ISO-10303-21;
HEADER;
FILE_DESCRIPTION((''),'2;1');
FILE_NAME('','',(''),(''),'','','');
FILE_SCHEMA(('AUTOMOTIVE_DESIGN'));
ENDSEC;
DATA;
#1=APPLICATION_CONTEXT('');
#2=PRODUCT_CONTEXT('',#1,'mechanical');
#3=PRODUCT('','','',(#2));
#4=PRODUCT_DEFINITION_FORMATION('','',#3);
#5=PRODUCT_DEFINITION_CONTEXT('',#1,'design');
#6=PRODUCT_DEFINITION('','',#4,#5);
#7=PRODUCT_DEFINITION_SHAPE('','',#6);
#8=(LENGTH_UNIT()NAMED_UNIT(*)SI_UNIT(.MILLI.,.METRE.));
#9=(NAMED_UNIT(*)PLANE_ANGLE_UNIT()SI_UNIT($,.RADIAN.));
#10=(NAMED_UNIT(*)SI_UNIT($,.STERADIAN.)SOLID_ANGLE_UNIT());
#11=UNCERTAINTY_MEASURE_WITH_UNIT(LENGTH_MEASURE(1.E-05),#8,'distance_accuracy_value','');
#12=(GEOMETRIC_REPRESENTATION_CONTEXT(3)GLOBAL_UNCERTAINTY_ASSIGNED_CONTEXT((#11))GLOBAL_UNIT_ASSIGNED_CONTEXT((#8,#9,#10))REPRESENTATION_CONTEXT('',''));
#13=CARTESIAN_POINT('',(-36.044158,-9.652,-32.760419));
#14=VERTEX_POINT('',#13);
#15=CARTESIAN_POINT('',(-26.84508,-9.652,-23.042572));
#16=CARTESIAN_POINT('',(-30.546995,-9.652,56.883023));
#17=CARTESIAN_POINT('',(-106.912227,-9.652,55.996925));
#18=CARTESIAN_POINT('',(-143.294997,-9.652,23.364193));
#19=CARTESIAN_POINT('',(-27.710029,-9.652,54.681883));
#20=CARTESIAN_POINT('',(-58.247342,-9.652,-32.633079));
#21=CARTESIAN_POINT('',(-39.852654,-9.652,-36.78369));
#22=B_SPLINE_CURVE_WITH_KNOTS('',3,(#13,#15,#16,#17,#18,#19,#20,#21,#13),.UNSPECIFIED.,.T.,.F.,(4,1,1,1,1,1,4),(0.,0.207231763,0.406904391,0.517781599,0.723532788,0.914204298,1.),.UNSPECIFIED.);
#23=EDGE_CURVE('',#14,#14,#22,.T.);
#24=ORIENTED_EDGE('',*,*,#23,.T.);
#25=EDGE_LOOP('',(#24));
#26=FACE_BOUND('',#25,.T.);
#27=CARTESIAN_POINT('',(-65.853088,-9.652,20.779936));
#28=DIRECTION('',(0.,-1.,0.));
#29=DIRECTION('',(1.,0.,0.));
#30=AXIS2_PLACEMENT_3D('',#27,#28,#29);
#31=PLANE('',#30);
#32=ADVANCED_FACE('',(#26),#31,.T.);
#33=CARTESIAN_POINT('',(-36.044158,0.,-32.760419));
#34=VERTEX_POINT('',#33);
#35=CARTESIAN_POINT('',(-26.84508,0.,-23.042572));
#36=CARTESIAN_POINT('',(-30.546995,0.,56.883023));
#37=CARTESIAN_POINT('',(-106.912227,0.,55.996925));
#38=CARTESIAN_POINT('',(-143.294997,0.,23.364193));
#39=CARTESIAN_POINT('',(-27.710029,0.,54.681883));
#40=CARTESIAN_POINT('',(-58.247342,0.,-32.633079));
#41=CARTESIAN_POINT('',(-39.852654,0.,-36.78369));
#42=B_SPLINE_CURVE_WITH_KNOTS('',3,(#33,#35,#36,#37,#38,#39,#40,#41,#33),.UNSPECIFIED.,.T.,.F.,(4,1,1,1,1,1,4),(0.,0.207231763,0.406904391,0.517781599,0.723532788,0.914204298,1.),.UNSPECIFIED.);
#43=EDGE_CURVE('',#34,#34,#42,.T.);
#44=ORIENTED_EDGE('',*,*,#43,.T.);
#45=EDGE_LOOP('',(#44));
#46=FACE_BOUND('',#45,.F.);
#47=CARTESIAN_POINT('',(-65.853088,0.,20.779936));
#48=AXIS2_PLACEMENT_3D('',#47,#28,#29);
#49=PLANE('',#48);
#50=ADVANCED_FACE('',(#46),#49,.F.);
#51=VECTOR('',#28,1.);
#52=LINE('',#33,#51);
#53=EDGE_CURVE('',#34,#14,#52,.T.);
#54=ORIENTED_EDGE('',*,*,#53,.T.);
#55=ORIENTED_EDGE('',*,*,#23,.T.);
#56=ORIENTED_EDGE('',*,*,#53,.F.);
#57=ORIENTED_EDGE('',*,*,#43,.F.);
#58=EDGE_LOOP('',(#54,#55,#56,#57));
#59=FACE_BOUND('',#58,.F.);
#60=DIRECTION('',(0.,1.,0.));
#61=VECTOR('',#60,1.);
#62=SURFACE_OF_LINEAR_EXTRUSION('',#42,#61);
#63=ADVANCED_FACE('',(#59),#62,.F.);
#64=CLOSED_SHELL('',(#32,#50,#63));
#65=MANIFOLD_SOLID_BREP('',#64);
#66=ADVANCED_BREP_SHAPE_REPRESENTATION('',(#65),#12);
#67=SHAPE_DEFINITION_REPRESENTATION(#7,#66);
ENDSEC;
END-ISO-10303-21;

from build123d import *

# Parameters (mm, degrees)
F1_DEPTH = 9.652


with BuildPart() as f1:
    # F0 (on Front) → F1 (new body)
    with BuildSketch(Plane.XZ):
        with BuildLine():
            add(Edge.make_bspline(
                [(-36.0441580415, -32.7604189515), (-26.8450799857, -23.0425723222), (-30.5469947209, 56.8830234013), (-106.9122271994, 55.9969246268), (-143.2949968501, 23.3641928783), (-27.7100286315, 54.6818833493), (-58.2473423529, -32.6330785533), (-39.8526541278, -36.7836896131), (-36.0441580415, -32.7604189515)],
                knots=[0, 0, 0, 0, 0.2072317626, 0.4069043911, 0.5177815994, 0.723532788, 0.9142042983, 1, 1, 1, 1], degree=3))
        make_face()
    extrude(amount=F1_DEPTH)


solid = f1.part
